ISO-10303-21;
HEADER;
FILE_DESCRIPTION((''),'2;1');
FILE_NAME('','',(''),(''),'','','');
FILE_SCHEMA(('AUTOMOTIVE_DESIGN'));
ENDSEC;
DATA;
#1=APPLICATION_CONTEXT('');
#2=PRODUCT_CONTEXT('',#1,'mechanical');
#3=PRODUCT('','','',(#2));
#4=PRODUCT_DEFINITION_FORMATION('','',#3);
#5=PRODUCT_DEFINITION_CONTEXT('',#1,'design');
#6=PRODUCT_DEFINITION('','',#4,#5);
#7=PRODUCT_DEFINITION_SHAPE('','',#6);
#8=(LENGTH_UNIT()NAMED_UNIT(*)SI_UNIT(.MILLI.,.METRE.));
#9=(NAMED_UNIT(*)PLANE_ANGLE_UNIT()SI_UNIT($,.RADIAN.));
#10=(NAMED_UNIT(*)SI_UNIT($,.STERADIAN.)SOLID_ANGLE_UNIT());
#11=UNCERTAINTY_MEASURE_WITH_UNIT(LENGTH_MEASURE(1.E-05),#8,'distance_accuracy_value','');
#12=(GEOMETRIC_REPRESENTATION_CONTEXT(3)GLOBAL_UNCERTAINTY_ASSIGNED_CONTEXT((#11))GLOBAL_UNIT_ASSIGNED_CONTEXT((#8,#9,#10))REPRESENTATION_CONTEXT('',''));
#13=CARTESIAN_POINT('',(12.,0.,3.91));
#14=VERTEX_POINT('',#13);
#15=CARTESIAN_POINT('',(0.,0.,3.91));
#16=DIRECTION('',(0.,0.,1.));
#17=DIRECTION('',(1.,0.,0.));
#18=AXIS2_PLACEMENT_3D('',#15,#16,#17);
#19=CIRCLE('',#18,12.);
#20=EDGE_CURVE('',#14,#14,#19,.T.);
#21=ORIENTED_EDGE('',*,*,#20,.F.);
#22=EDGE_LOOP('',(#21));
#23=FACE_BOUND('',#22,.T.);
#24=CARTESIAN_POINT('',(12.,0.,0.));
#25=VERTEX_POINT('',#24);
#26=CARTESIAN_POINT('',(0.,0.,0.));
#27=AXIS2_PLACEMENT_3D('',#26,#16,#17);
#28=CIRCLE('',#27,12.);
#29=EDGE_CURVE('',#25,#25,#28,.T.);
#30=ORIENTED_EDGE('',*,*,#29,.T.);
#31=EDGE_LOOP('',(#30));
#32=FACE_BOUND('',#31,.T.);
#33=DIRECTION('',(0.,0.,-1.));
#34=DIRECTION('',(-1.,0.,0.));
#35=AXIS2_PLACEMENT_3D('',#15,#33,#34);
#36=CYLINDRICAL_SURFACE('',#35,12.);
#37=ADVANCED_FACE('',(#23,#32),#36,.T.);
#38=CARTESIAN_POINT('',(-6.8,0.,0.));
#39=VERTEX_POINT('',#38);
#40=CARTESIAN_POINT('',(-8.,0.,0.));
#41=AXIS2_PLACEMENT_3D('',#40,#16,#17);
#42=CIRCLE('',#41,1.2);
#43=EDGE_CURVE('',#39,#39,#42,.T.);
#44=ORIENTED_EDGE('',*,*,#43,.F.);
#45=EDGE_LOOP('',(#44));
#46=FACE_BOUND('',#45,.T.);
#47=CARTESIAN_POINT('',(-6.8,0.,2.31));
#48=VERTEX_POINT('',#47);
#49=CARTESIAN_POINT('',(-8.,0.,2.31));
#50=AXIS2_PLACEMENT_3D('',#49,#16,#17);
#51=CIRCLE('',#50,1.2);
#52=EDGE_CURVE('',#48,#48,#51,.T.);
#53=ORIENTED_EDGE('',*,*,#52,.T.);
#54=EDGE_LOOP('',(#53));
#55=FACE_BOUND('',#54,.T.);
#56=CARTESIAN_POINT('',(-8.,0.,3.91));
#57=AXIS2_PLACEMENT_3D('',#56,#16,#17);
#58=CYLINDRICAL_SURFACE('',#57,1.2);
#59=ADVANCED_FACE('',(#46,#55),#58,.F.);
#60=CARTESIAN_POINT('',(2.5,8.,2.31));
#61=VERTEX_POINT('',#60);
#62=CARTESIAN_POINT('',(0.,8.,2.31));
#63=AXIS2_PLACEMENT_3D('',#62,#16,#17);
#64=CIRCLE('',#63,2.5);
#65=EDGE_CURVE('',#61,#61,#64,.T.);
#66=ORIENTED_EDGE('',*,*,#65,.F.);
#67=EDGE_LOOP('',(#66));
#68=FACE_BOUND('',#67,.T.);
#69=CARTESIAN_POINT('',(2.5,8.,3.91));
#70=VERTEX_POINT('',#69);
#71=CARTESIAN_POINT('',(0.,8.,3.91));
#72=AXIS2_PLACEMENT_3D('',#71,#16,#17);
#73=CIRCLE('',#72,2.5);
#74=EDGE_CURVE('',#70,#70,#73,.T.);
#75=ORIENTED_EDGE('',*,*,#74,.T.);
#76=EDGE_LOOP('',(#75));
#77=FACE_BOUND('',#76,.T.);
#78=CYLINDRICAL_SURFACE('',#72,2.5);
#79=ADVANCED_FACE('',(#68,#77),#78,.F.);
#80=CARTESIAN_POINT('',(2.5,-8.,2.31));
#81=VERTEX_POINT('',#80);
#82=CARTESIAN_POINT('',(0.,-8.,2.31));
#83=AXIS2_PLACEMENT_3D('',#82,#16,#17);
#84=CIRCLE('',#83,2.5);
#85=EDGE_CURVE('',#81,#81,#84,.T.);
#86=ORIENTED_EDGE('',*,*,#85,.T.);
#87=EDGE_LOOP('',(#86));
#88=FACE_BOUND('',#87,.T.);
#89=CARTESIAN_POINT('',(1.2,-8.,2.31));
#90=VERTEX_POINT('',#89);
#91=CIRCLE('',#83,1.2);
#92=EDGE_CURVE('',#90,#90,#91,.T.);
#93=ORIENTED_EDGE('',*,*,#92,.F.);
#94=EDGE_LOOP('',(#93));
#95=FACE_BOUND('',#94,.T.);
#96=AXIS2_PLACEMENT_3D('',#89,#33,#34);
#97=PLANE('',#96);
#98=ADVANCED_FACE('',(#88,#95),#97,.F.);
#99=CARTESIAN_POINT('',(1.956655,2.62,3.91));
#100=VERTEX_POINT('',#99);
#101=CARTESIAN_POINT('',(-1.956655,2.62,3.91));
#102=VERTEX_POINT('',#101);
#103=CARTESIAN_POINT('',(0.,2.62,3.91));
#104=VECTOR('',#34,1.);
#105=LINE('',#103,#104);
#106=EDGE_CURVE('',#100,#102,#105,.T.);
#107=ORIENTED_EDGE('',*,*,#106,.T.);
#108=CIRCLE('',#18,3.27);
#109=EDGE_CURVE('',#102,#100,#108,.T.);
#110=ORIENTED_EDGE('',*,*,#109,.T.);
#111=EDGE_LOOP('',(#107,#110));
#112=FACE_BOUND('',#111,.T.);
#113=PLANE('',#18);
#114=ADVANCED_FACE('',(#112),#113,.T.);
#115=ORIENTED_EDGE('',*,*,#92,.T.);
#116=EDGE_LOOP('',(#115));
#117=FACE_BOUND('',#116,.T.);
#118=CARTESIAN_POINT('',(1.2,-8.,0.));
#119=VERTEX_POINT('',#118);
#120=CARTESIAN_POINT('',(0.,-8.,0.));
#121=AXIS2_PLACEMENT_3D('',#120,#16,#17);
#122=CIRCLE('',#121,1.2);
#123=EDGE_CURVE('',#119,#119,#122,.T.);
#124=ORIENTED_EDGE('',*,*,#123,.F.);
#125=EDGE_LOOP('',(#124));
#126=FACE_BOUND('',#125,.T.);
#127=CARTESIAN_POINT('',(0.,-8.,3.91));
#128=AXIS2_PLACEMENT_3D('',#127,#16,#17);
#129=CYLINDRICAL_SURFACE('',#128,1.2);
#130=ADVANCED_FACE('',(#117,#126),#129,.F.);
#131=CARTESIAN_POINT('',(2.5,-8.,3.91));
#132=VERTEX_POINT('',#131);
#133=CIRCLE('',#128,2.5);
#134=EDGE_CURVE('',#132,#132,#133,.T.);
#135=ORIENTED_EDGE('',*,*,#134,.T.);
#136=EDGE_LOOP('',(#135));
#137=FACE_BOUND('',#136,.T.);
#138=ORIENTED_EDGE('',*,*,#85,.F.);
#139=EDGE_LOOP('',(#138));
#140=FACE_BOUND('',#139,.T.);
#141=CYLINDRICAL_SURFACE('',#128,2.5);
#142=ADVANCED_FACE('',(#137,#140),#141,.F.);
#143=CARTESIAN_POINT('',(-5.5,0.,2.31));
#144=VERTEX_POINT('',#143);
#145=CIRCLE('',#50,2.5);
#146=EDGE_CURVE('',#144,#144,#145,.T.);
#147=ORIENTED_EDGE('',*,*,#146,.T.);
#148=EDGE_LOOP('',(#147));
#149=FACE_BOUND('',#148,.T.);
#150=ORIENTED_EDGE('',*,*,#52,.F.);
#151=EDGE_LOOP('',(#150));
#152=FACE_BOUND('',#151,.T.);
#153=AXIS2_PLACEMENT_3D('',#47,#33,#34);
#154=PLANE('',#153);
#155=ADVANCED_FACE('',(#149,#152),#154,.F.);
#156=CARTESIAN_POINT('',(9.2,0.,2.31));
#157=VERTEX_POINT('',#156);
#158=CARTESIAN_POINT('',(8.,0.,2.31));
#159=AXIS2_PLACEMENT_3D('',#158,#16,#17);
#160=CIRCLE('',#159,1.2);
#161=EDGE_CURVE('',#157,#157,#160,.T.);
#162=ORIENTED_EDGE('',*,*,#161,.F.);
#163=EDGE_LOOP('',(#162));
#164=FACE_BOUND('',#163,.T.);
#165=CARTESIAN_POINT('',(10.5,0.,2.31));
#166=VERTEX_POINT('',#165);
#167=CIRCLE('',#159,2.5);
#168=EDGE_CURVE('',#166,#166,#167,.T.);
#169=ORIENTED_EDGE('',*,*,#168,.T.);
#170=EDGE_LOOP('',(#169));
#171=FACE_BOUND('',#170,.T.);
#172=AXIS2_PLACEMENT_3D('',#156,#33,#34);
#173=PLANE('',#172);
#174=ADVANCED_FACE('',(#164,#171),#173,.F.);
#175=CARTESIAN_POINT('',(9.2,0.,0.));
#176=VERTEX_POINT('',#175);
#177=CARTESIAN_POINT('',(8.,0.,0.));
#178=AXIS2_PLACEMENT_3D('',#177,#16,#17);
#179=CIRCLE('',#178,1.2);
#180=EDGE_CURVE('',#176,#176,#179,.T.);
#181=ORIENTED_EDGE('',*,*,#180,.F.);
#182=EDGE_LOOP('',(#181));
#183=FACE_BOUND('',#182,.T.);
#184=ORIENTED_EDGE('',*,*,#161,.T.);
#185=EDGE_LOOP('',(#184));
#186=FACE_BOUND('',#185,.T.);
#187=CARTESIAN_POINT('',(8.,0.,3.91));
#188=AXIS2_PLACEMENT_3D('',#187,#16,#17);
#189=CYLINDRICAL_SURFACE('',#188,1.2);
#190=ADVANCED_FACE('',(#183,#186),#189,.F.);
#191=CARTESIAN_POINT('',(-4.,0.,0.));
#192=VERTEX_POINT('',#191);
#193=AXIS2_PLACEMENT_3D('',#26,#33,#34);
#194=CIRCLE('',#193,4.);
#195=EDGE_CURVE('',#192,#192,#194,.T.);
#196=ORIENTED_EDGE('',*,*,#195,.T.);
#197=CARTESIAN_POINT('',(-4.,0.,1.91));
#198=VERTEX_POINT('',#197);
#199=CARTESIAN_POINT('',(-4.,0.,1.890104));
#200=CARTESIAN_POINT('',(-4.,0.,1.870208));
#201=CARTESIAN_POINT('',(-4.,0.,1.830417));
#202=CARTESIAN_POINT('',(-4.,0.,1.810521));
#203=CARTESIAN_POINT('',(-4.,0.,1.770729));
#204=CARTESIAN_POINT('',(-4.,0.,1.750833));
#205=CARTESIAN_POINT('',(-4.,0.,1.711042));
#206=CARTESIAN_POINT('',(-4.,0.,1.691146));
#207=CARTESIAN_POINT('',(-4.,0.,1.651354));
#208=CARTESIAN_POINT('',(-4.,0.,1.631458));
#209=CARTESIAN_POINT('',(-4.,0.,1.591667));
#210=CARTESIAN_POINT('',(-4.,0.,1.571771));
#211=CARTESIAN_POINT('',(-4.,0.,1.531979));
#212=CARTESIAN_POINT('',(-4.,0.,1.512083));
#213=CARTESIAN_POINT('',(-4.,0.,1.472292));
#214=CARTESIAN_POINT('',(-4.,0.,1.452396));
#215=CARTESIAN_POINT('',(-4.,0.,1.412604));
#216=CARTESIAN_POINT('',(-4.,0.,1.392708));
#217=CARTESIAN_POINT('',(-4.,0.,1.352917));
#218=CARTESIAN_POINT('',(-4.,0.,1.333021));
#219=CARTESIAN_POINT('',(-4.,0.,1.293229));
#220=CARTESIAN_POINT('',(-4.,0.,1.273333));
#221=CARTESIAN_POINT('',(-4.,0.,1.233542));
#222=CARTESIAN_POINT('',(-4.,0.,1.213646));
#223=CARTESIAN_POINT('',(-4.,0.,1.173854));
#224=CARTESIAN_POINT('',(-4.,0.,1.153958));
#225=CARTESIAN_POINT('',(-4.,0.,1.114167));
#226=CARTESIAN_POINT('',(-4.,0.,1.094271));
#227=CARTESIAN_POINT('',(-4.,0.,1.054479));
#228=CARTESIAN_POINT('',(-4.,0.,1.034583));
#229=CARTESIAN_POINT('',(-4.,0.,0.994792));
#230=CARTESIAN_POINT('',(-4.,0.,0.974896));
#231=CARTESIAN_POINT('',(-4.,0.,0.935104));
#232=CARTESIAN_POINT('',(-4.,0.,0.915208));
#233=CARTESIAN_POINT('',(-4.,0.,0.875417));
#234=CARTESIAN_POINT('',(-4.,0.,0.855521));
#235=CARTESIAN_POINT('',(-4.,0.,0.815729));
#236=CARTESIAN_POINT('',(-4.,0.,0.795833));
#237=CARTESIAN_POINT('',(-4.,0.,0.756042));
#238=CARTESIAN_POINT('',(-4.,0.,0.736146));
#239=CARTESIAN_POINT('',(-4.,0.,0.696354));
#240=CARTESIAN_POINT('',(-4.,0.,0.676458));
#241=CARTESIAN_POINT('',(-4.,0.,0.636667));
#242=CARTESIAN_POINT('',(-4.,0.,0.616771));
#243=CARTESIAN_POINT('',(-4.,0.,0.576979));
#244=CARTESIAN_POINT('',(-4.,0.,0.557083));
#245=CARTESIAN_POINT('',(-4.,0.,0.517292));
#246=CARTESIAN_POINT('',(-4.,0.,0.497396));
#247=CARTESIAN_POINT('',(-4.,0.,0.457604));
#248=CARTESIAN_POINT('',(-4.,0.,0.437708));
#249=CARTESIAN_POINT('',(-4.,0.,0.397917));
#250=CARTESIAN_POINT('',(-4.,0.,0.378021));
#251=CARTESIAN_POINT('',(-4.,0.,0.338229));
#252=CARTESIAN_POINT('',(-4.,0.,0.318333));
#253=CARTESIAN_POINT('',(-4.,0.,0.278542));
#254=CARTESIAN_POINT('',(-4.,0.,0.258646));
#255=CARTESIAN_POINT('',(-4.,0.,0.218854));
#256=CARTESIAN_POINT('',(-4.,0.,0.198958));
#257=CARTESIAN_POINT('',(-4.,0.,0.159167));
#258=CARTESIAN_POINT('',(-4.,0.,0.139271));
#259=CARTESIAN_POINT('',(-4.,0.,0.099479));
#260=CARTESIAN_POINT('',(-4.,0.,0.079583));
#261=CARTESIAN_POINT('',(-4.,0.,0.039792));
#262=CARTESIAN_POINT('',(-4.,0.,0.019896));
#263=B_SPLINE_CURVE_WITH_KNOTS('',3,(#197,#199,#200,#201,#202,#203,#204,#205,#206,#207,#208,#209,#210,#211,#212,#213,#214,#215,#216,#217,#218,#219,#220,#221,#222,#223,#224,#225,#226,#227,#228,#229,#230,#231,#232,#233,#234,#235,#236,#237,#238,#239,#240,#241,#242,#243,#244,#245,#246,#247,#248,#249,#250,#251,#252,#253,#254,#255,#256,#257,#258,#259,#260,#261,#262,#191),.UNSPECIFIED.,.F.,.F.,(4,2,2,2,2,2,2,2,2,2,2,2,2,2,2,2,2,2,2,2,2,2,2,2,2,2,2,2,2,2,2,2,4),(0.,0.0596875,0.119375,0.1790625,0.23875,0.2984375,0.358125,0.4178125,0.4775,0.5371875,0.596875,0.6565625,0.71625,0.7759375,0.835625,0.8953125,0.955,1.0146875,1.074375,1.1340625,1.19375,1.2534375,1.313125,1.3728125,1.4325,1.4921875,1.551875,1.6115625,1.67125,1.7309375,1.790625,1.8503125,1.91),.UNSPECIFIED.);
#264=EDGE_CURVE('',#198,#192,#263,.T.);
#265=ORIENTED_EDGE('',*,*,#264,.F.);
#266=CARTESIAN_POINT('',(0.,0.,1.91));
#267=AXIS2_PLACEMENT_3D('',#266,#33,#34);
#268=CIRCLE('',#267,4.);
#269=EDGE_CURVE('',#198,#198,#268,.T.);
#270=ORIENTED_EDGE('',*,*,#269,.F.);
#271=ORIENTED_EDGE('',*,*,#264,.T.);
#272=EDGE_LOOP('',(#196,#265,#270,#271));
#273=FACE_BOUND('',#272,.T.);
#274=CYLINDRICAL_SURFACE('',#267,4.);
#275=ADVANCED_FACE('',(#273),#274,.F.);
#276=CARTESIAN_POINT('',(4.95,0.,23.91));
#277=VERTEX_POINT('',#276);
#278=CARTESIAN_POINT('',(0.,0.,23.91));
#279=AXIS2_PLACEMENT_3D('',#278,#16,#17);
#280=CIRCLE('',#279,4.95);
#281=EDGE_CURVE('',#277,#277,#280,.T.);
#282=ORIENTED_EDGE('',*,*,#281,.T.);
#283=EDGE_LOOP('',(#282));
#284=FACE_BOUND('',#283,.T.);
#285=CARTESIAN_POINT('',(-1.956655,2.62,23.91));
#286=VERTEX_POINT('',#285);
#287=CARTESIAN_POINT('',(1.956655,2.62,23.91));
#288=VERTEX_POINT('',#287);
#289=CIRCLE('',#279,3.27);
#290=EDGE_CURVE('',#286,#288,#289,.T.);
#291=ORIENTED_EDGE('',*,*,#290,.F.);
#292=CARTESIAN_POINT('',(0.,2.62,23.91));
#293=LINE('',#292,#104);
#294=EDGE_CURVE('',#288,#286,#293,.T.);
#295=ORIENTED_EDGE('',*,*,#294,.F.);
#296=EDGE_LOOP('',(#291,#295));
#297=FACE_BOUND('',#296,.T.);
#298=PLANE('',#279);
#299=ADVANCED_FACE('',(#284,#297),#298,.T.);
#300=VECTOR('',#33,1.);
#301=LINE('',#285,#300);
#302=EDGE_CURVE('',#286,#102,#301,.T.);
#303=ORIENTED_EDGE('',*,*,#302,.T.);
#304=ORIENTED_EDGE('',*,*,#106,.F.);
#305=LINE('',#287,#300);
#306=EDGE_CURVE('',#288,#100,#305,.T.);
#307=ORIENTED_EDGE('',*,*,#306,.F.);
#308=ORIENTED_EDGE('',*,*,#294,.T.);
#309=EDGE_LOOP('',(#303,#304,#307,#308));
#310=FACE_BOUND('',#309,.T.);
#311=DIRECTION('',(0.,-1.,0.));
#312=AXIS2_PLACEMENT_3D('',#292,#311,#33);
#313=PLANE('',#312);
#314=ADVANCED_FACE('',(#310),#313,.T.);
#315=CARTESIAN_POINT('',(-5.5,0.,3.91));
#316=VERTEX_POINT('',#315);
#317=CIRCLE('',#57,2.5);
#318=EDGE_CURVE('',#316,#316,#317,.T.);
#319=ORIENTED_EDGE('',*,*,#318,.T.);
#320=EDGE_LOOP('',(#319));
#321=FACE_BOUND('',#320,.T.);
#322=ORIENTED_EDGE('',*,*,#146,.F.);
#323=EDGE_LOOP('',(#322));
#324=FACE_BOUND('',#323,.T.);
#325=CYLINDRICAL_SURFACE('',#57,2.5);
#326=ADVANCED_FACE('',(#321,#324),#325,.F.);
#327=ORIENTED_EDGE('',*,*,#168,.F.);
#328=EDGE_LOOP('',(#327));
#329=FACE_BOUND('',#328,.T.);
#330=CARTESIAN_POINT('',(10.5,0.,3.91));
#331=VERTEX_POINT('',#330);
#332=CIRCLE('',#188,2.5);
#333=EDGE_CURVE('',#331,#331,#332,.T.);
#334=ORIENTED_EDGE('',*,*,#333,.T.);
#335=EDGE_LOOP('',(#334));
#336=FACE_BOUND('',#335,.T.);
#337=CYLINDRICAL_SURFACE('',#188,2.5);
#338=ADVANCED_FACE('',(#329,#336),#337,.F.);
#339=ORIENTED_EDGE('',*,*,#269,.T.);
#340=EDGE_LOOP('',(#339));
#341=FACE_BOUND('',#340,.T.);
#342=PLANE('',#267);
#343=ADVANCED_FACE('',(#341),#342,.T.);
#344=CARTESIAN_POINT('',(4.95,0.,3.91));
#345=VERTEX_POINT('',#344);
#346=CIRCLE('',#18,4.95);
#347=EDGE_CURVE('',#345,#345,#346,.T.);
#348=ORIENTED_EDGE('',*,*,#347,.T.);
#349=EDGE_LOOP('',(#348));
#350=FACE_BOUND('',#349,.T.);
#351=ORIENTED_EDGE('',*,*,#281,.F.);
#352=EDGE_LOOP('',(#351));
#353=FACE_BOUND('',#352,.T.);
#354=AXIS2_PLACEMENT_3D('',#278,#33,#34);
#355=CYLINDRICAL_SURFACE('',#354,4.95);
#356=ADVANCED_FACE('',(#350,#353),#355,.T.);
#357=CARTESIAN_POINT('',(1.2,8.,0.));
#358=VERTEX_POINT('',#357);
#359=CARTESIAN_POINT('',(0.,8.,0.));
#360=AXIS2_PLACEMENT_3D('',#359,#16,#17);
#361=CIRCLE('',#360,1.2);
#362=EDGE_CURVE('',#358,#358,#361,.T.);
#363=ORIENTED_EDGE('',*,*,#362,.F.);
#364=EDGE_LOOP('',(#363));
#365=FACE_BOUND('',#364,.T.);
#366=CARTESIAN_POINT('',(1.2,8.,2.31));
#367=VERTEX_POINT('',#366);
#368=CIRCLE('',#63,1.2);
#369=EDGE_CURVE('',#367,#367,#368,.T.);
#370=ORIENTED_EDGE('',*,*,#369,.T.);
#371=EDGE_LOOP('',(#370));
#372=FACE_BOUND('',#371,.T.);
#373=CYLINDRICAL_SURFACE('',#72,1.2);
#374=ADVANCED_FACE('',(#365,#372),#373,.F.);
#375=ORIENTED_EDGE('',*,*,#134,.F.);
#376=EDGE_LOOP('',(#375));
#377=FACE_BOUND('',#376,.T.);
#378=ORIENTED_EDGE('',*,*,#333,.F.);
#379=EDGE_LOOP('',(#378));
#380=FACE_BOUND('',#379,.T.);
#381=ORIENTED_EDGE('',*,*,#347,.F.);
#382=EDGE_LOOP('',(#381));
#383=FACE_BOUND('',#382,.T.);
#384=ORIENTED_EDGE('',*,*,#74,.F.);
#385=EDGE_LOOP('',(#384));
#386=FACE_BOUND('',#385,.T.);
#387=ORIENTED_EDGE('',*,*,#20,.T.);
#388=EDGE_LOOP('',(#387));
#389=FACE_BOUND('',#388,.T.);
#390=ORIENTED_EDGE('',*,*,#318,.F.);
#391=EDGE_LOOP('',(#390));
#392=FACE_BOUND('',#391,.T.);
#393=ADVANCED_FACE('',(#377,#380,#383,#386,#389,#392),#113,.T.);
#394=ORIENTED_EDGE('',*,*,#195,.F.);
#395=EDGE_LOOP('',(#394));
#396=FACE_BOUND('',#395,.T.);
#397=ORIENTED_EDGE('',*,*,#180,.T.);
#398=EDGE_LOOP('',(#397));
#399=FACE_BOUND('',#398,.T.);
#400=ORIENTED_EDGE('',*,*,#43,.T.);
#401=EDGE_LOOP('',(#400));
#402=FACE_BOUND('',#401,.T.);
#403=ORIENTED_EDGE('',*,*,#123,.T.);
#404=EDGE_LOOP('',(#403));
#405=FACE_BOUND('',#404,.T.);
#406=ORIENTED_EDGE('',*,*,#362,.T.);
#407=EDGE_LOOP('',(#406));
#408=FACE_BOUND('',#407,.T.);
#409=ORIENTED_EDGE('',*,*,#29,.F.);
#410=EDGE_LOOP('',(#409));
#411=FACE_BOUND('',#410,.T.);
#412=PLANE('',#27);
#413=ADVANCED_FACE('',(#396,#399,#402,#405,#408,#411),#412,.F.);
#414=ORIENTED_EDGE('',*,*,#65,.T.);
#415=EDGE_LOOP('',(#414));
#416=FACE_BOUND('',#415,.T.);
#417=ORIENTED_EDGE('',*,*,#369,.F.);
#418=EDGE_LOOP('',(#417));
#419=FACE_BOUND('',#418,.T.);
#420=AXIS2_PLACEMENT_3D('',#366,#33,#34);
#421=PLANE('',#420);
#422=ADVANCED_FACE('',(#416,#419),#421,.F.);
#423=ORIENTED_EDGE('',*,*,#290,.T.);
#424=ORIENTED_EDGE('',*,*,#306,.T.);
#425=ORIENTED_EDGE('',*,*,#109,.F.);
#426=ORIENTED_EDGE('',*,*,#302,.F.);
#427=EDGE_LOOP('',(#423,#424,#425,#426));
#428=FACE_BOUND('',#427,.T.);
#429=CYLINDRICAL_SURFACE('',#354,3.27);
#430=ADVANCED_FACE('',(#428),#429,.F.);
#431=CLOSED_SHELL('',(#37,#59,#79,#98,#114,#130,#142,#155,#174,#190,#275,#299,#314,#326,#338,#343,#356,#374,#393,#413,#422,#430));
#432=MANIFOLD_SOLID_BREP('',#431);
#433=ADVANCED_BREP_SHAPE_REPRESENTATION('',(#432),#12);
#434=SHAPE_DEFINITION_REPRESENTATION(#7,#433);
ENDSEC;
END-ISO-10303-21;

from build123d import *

# Parameters (mm, degrees)
ESQUISSE1_R                                        = 12
BOSS_EXTRU_1_DEPTH                                 = 3.91
ESQUISSE6_R                                        = 4
ENL_V_MAT_EXTRU_2_DEPTH                            = 1.91
BOSS_EXTRU_2_DEPTH                                 = 20
CHAMBRAGE_POUR_VIS_T_TE_RONDE_BOMB_E_M_D           = 2.4
CHAMBRAGE_POUR_VIS_T_TE_RONDE_BOMB_E_M_CBORE_D     = 5
CHAMBRAGE_POUR_VIS_T_TE_RONDE_BOMB_E_M_CBORE_DEPTH = 1.6
R_P_TITION_CIRCULAIRE2_COUNT                       = 4


with BuildPart() as part:
    # Esquisse1 → Boss.-Extru.1 (new body)
    with BuildSketch(Plane.XY):
        Circle(ESQUISSE1_R)
    extrude(amount=BOSS_EXTRU_1_DEPTH)

    # Esquisse6 → Enlèv. mat.-Extru.2 (cut)
    with BuildSketch(Plane(origin=(0, 0, 0), x_dir=(-1, 0, 0), z_dir=(0, 0, -1))):
        Circle(ESQUISSE6_R)
    extrude(amount=-ENL_V_MAT_EXTRU_2_DEPTH, mode=Mode.SUBTRACT)

    # Esquisse7 → Boss.-Extru.2 (add)
    # profile 1 of 2: a face of its own
    with BuildSketch(Plane.XY.offset(3.91)):
        with BuildLine():
            Line((-3.716127016, -3.27), (0, -3.27))
            Line((0, -3.27), (3.716127016, -3.27))
            ThreePointArc((3.716127016, -3.27), (4.631270276, -1.747522714), (4.95, 0))
            ThreePointArc((4.95, 0), (-1.747522714, 4.631270276), (-3.716127016, -3.27))
        make_face()
        with BuildLine():
            Line((-1.956655309, 2.62), (1.956655309, 2.62))
            ThreePointArc((1.956655309, 2.62), (3.103248298, -1.030897667), (0, -3.27))
            ThreePointArc((0, -3.27), (-3.103248298, -1.030897667), (-1.956655309, 2.62))
        make_face(mode=Mode.SUBTRACT)
    # profile 2 of 2: a face of its own
    with BuildSketch(Plane.XY.offset(3.91)):
        with BuildLine():
            Line((3.716127016, -3.27), (0, -3.27))
            Line((0, -3.27), (-3.716127016, -3.27))
            ThreePointArc((-3.716127016, -3.27), (0, -4.95), (3.716127016, -3.27))
        make_face()
    extrude(amount=BOSS_EXTRU_2_DEPTH)

    # Chambrage pour vis à tête ronde bombée M21 (through all)
    with Locations(Plane.XY.offset(3.91)):
        with Locations((0, 8)):
            chambrage_pour_vis_t_te_ronde_bomb_e_m = CounterBoreHole(CHAMBRAGE_POUR_VIS_T_TE_RONDE_BOMB_E_M_D / 2, CHAMBRAGE_POUR_VIS_T_TE_RONDE_BOMB_E_M_CBORE_D / 2, CHAMBRAGE_POUR_VIS_T_TE_RONDE_BOMB_E_M_CBORE_DEPTH)

    # Répétition circulaire2: Chambrage pour vis à tête ronde bombée M21 ×4 about axis
    r_p_tition_circulaire2_axis = Axis((0, 0, 0), (0, 0, 1))
    for i in range(1, R_P_TITION_CIRCULAIRE2_COUNT):
        add(chambrage_pour_vis_t_te_ronde_bomb_e_m.rotate(r_p_tition_circulaire2_axis, i * 360 / R_P_TITION_CIRCULAIRE2_COUNT), mode=Mode.SUBTRACT)


solid = part.part
